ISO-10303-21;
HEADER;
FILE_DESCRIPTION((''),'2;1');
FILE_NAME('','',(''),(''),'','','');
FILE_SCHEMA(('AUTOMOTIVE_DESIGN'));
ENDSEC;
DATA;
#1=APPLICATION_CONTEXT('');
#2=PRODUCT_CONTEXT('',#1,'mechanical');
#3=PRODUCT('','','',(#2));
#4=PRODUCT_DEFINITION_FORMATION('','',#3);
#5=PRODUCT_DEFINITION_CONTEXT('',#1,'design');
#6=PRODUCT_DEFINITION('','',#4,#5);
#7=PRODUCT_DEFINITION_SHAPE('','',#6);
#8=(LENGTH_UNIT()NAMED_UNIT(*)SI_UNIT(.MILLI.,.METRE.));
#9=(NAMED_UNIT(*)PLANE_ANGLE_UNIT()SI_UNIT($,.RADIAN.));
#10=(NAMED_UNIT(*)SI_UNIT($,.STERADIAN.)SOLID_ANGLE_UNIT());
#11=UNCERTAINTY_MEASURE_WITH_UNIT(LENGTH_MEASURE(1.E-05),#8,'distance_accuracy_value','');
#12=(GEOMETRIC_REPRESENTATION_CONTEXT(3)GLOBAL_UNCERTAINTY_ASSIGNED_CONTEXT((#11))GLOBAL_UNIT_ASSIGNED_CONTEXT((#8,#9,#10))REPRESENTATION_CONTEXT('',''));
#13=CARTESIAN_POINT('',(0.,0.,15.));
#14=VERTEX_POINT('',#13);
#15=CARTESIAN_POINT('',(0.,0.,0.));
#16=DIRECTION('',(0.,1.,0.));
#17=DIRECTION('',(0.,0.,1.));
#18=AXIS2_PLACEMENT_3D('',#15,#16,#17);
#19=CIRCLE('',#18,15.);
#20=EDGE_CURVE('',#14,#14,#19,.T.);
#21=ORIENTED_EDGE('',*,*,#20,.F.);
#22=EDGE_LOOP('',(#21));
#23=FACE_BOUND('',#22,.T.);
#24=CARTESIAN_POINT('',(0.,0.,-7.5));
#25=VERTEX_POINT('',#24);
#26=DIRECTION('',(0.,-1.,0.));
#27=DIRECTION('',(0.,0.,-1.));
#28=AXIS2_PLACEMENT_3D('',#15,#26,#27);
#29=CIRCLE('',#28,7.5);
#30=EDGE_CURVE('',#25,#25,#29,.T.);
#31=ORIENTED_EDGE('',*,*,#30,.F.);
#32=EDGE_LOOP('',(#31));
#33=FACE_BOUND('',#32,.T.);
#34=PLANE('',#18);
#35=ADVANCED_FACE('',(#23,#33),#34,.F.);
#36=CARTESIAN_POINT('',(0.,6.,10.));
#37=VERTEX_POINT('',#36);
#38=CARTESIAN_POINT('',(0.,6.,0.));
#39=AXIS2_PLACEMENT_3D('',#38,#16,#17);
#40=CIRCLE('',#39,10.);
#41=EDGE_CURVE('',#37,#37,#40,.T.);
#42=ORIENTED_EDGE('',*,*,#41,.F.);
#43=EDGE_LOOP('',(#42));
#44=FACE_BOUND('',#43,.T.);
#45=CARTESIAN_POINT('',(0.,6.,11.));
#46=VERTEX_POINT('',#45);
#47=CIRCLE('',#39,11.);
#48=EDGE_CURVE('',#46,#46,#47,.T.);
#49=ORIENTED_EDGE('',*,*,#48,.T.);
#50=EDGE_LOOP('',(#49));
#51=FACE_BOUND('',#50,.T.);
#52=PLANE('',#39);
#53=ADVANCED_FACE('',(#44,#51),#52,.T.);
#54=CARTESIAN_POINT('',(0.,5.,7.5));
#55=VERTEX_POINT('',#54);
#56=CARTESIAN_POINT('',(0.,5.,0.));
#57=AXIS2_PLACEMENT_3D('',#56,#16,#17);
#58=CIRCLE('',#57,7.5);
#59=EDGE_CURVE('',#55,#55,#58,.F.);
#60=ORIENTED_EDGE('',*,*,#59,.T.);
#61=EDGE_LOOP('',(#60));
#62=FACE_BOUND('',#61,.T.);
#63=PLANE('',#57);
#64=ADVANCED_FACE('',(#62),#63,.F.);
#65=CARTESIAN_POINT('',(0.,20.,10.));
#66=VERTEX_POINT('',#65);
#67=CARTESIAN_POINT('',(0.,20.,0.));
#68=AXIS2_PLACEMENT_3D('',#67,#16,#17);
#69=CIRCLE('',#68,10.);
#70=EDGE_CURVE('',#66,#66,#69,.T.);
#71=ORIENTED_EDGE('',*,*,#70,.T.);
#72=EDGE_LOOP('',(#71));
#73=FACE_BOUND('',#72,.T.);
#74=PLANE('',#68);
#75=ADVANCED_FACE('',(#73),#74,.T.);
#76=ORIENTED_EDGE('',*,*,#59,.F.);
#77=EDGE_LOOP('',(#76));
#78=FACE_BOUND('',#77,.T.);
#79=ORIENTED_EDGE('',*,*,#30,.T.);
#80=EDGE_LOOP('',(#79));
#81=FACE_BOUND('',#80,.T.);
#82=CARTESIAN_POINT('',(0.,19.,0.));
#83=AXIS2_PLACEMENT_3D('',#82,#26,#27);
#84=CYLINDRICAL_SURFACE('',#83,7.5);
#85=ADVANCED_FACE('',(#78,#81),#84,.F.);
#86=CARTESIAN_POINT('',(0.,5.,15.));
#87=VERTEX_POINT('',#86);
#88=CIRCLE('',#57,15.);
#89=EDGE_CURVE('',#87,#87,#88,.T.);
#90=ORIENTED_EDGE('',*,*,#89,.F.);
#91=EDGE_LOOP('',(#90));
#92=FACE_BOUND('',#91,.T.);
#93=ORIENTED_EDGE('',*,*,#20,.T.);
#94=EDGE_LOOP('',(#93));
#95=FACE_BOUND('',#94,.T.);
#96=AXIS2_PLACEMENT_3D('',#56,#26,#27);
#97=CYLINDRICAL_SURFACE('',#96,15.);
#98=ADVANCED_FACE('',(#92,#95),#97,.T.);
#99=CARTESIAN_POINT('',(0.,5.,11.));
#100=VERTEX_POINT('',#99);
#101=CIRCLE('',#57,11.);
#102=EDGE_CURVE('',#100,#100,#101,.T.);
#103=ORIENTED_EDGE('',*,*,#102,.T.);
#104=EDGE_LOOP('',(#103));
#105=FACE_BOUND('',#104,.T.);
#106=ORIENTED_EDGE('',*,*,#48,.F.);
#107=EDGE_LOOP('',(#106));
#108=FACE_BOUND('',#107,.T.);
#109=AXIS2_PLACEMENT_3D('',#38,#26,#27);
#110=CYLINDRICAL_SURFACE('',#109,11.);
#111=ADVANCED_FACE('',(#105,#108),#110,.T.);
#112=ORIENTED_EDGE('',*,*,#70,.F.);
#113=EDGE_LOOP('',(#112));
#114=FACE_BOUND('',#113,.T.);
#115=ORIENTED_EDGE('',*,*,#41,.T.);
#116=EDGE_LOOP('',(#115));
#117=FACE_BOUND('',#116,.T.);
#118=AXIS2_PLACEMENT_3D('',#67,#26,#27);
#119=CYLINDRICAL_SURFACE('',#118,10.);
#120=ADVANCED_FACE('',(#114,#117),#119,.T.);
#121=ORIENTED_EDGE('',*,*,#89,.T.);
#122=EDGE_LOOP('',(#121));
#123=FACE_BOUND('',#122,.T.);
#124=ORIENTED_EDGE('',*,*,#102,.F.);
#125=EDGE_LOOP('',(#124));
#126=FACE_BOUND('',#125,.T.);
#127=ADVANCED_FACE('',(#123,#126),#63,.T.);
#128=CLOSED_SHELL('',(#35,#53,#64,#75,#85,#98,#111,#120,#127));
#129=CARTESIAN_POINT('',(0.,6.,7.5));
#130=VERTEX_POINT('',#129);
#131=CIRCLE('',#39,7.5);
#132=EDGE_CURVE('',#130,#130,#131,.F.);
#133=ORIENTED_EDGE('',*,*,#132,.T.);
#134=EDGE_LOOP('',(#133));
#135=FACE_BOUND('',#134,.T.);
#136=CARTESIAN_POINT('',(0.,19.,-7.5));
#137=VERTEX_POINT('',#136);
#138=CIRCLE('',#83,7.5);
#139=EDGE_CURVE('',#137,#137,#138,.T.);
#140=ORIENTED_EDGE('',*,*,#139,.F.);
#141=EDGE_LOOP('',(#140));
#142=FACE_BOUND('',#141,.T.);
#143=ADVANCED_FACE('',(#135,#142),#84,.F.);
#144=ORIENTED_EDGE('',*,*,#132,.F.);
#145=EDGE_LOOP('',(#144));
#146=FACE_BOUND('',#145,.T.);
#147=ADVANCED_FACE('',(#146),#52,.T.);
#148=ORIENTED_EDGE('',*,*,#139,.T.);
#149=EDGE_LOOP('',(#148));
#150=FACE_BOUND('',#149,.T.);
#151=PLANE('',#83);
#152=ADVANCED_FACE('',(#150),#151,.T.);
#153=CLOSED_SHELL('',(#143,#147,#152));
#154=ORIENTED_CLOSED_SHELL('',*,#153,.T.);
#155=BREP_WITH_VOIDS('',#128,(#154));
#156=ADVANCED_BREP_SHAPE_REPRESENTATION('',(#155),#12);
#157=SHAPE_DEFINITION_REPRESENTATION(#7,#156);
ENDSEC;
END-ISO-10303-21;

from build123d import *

# Parameters (mm, degrees)
SKETCH1_R           = 15
BOSS_EXTRUDE1_DEPTH = 5
SKETCH2_R           = 10
BOSS_EXTRUDE2_DEPTH = 15
SKETCH3_R           = 7.5
CUT_EXTRUDE1_DEPTH  = 19
SKETCH5_R           = 11
BOSS_EXTRUDE3_DEPTH = 1


with BuildPart() as part:
    # Sketch1 → Boss-Extrude1 (new body)
    with BuildSketch(Plane(origin=(0, 0, 0), x_dir=(1, 0, 0), z_dir=(0, 1, 0))):
        Circle(SKETCH1_R)
    extrude(amount=BOSS_EXTRUDE1_DEPTH)

    # Sketch2 → Boss-Extrude2 (add)
    with BuildSketch(Plane(origin=(0, 5, 0), x_dir=(1, 0, 0), z_dir=(0, 1, 0))):
        Circle(SKETCH2_R)
    extrude(amount=BOSS_EXTRUDE2_DEPTH)

    # Sketch3 → Cut-Extrude1 (cut)
    with BuildSketch(Plane.XZ):
        Circle(SKETCH3_R)
    extrude(amount=-CUT_EXTRUDE1_DEPTH, mode=Mode.SUBTRACT)

    # Sketch5 → Boss-Extrude3 (add)
    with BuildSketch(Plane(origin=(0, 5, 0), x_dir=(1, 0, 0), z_dir=(0, 1, 0))):
        Circle(SKETCH5_R)
    extrude(amount=BOSS_EXTRUDE3_DEPTH)


solid = part.part
